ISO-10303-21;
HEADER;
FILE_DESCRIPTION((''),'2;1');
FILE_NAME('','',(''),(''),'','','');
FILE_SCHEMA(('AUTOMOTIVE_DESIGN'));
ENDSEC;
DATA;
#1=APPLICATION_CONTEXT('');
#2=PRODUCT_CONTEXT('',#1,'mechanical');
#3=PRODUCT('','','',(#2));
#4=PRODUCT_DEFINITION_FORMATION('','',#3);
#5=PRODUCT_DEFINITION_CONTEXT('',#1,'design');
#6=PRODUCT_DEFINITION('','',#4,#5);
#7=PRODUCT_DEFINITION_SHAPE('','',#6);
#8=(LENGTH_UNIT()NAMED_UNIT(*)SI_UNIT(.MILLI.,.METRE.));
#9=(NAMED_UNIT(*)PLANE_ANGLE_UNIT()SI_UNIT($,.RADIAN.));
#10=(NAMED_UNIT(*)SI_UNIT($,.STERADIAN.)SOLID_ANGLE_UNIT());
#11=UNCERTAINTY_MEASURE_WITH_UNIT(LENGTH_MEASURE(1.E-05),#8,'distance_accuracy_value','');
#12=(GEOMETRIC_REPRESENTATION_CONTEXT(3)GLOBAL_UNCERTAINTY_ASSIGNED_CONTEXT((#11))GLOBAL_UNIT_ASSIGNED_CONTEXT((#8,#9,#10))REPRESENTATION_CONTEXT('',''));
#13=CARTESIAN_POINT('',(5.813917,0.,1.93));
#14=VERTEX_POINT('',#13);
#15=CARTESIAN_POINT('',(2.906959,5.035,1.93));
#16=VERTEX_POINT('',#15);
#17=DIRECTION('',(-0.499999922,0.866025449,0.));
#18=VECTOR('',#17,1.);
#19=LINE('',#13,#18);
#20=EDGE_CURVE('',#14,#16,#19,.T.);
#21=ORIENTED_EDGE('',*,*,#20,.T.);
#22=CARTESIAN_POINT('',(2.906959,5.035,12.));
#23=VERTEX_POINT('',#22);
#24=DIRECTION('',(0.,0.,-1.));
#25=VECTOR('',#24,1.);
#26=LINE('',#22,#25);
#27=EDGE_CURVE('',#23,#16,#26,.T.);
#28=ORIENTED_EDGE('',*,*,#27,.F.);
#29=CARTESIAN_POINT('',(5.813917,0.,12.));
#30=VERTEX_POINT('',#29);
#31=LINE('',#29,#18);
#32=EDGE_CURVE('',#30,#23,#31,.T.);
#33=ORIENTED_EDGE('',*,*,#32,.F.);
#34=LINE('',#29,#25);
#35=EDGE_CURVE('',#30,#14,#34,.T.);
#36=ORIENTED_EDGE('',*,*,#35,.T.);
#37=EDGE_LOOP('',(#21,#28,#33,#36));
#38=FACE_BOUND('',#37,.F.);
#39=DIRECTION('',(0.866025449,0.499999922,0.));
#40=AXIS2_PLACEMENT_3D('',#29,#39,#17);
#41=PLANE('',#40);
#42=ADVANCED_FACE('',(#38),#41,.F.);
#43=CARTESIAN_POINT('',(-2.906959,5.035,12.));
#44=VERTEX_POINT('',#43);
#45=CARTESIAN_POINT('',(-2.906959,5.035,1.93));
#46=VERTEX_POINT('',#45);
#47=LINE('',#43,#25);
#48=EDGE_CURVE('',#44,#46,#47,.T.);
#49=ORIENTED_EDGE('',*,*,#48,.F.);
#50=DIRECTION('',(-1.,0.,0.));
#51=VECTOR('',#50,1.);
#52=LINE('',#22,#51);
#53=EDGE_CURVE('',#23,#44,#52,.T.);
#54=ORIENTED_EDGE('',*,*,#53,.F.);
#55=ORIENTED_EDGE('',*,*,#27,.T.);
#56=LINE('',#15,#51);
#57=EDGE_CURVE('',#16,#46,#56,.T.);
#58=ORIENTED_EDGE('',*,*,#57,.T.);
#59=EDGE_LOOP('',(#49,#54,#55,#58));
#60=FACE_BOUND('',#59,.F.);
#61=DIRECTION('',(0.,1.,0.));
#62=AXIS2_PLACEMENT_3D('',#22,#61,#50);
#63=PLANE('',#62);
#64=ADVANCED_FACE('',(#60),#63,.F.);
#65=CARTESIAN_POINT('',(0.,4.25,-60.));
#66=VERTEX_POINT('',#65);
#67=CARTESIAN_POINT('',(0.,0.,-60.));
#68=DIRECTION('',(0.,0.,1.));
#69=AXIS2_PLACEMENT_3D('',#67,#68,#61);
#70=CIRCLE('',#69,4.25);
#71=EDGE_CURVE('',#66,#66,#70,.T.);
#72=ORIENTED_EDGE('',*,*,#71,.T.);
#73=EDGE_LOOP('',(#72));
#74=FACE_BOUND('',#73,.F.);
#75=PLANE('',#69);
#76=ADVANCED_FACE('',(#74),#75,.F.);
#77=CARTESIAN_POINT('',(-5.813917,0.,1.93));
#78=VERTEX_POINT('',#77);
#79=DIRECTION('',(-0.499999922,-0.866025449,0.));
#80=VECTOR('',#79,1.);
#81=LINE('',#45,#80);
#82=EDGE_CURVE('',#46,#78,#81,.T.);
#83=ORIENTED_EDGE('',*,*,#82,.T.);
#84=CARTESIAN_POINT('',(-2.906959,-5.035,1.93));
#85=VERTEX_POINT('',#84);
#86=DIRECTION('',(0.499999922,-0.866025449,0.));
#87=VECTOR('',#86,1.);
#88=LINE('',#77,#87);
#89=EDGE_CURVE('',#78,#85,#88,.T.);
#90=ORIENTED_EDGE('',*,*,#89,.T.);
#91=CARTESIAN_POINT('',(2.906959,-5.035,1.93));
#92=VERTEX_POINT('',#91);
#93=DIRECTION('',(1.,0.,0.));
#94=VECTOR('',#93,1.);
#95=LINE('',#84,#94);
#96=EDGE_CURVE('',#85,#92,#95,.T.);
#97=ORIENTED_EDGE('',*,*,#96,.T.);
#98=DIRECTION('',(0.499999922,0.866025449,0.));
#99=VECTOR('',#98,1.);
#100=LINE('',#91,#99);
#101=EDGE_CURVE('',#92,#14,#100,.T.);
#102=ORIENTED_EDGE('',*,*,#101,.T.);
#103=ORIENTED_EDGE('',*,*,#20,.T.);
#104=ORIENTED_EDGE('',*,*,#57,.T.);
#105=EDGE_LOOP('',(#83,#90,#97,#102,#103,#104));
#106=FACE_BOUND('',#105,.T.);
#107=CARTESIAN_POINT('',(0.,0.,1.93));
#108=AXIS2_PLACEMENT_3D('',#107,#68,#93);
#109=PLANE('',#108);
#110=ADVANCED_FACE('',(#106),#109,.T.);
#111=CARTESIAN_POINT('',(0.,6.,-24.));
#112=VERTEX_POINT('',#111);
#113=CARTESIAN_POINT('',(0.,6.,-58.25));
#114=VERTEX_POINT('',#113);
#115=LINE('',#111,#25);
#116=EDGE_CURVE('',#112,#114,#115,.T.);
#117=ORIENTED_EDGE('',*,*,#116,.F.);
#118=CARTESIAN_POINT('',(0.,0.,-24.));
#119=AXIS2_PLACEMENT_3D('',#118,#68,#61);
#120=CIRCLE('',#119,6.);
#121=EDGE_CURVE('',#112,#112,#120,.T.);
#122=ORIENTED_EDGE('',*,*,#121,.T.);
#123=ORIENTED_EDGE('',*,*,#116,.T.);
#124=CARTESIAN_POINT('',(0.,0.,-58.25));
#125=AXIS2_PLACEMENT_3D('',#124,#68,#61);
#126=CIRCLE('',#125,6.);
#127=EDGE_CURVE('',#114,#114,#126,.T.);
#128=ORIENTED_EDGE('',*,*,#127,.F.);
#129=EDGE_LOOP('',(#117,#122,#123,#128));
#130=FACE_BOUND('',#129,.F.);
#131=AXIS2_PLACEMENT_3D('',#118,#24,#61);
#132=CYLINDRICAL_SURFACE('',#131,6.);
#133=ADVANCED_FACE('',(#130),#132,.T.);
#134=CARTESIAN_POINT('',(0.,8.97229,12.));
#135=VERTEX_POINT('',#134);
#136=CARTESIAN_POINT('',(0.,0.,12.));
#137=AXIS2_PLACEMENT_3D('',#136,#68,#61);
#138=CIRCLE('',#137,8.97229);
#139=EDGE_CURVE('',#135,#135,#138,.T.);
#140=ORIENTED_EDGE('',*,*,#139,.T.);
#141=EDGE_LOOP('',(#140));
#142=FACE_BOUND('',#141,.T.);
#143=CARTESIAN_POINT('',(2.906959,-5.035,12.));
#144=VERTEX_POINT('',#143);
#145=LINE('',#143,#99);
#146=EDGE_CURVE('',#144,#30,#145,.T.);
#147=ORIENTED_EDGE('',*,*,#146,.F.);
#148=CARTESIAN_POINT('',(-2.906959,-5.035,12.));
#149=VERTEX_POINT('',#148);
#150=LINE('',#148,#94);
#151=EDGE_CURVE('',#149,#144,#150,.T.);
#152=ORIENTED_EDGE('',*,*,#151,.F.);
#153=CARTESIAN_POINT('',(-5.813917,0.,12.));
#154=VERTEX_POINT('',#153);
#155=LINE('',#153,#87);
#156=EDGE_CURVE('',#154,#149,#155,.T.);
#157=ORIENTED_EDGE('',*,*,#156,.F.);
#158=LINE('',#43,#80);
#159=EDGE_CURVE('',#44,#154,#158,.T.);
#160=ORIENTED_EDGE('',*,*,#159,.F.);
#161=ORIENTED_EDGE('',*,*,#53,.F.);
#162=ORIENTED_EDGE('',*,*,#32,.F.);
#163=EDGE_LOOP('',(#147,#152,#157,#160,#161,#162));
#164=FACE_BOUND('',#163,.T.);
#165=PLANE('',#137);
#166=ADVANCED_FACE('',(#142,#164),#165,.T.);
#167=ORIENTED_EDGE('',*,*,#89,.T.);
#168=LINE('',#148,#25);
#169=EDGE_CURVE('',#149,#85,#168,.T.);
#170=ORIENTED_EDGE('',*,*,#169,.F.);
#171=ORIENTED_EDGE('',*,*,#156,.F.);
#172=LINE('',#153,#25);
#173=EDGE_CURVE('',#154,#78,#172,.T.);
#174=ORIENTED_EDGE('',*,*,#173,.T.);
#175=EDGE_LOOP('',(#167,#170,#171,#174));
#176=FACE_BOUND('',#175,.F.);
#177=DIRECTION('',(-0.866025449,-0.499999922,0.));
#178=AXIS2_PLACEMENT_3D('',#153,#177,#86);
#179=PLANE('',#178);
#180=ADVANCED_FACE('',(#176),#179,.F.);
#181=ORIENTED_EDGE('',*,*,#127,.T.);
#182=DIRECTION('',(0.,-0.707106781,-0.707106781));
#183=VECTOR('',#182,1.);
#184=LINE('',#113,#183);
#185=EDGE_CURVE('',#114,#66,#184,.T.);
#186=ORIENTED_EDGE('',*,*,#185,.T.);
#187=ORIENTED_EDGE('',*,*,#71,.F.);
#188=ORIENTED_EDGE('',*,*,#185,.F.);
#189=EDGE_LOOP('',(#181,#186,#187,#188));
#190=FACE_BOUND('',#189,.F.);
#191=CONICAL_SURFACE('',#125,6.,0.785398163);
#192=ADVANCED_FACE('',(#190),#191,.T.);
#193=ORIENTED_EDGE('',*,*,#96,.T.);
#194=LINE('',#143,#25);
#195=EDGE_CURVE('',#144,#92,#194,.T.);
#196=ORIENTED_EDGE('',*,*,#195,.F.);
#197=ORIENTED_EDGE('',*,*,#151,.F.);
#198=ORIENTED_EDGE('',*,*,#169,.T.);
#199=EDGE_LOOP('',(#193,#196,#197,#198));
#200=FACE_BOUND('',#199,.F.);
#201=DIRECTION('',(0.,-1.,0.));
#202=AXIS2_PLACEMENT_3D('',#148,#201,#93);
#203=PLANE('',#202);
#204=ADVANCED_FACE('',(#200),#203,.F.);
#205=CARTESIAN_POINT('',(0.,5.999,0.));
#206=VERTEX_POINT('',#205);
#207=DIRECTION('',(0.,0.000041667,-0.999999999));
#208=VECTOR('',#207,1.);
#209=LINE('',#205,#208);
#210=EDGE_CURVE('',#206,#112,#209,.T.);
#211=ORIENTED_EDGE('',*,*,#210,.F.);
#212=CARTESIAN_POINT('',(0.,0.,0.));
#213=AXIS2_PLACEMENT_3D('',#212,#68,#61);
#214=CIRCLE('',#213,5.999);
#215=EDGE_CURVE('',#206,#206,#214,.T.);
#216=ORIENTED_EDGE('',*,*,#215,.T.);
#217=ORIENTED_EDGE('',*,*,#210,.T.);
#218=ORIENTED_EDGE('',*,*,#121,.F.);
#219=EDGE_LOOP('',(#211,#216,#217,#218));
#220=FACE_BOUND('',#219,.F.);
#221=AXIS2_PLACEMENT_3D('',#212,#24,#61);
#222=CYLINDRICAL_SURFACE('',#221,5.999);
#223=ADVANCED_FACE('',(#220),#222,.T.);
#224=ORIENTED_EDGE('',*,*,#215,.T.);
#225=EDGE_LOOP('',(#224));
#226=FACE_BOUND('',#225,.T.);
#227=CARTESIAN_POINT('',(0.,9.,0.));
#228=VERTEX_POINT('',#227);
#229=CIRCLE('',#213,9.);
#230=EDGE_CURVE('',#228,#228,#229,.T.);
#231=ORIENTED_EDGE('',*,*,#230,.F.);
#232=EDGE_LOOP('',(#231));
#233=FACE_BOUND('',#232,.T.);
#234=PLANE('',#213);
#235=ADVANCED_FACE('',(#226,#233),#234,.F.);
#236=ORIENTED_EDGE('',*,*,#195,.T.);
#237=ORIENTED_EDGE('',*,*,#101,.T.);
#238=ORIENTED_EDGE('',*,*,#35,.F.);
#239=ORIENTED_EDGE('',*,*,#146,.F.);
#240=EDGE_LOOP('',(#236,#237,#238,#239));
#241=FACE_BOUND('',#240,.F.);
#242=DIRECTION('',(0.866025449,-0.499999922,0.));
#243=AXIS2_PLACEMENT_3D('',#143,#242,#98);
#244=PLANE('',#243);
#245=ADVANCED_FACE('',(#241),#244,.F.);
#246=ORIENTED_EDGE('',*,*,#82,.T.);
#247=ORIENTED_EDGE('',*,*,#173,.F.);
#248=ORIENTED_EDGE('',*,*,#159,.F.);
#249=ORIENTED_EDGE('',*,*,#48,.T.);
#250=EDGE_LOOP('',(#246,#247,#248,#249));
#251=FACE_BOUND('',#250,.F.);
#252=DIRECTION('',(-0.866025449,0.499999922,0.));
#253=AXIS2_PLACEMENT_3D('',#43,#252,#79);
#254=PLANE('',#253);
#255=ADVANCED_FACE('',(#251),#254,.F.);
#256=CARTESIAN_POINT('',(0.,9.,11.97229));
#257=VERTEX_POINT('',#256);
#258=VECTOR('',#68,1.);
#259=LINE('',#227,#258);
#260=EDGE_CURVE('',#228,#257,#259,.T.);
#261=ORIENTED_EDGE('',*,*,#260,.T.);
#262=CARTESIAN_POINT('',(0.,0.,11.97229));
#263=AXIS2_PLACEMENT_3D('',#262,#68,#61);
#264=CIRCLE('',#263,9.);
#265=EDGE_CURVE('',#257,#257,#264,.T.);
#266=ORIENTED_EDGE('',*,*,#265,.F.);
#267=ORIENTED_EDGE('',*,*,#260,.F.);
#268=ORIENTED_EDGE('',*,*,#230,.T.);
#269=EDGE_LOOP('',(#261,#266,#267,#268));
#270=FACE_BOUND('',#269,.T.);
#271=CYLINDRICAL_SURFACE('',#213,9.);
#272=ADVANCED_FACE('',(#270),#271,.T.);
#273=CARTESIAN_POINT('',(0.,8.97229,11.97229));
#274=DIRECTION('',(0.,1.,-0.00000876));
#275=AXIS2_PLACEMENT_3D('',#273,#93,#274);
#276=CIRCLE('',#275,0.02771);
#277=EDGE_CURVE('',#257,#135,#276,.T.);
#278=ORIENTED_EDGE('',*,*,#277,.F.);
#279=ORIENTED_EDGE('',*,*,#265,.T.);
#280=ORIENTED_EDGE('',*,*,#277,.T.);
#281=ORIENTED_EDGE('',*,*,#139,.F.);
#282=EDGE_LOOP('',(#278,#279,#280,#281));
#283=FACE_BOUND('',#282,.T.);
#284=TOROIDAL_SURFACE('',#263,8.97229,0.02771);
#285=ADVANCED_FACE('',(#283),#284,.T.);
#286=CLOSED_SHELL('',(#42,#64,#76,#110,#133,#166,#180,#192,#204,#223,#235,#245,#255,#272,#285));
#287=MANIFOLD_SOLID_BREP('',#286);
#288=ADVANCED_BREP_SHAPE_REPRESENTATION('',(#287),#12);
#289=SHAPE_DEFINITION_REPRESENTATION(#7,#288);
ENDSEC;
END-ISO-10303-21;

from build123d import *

# Parameters (mm, degrees)
POCKET_DEPTH = 10.07


with BuildPart() as part:
    # Sketch → Revolve (revolve)
    with BuildSketch(Plane.YZ):
        with BuildLine():
            Line((5.999, 0), (9, 0))
            Line((9, 0), (9, 11.97229))
            ThreePointArc((9, 11.97229), (8.991884, 11.991884), (8.97229, 12))
            Line((8.97229, 12), (0, 12))
            Line((0, -60), (0, 12))
            Line((4.25, -60), (0, -60))
            Line((6, -58.25), (4.25, -60))
            Line((6, -24), (6, -58.25))
            Line((5.999, 0), (6, -24))
        make_face()
    revolve(axis=Axis((0, 0, 0), (0, 0, 1)))

    # Sketch001 → Pocket (cut)
    with BuildSketch(Plane.XY.offset(12)):
        Polygon((5.813917, 0), (2.906959, 5.035), (-2.906959, 5.035), (-5.813917, 0), (-2.906959, -5.035), (2.906959, -5.035), align=None)
    extrude(amount=-POCKET_DEPTH, mode=Mode.SUBTRACT)


solid = part.part
